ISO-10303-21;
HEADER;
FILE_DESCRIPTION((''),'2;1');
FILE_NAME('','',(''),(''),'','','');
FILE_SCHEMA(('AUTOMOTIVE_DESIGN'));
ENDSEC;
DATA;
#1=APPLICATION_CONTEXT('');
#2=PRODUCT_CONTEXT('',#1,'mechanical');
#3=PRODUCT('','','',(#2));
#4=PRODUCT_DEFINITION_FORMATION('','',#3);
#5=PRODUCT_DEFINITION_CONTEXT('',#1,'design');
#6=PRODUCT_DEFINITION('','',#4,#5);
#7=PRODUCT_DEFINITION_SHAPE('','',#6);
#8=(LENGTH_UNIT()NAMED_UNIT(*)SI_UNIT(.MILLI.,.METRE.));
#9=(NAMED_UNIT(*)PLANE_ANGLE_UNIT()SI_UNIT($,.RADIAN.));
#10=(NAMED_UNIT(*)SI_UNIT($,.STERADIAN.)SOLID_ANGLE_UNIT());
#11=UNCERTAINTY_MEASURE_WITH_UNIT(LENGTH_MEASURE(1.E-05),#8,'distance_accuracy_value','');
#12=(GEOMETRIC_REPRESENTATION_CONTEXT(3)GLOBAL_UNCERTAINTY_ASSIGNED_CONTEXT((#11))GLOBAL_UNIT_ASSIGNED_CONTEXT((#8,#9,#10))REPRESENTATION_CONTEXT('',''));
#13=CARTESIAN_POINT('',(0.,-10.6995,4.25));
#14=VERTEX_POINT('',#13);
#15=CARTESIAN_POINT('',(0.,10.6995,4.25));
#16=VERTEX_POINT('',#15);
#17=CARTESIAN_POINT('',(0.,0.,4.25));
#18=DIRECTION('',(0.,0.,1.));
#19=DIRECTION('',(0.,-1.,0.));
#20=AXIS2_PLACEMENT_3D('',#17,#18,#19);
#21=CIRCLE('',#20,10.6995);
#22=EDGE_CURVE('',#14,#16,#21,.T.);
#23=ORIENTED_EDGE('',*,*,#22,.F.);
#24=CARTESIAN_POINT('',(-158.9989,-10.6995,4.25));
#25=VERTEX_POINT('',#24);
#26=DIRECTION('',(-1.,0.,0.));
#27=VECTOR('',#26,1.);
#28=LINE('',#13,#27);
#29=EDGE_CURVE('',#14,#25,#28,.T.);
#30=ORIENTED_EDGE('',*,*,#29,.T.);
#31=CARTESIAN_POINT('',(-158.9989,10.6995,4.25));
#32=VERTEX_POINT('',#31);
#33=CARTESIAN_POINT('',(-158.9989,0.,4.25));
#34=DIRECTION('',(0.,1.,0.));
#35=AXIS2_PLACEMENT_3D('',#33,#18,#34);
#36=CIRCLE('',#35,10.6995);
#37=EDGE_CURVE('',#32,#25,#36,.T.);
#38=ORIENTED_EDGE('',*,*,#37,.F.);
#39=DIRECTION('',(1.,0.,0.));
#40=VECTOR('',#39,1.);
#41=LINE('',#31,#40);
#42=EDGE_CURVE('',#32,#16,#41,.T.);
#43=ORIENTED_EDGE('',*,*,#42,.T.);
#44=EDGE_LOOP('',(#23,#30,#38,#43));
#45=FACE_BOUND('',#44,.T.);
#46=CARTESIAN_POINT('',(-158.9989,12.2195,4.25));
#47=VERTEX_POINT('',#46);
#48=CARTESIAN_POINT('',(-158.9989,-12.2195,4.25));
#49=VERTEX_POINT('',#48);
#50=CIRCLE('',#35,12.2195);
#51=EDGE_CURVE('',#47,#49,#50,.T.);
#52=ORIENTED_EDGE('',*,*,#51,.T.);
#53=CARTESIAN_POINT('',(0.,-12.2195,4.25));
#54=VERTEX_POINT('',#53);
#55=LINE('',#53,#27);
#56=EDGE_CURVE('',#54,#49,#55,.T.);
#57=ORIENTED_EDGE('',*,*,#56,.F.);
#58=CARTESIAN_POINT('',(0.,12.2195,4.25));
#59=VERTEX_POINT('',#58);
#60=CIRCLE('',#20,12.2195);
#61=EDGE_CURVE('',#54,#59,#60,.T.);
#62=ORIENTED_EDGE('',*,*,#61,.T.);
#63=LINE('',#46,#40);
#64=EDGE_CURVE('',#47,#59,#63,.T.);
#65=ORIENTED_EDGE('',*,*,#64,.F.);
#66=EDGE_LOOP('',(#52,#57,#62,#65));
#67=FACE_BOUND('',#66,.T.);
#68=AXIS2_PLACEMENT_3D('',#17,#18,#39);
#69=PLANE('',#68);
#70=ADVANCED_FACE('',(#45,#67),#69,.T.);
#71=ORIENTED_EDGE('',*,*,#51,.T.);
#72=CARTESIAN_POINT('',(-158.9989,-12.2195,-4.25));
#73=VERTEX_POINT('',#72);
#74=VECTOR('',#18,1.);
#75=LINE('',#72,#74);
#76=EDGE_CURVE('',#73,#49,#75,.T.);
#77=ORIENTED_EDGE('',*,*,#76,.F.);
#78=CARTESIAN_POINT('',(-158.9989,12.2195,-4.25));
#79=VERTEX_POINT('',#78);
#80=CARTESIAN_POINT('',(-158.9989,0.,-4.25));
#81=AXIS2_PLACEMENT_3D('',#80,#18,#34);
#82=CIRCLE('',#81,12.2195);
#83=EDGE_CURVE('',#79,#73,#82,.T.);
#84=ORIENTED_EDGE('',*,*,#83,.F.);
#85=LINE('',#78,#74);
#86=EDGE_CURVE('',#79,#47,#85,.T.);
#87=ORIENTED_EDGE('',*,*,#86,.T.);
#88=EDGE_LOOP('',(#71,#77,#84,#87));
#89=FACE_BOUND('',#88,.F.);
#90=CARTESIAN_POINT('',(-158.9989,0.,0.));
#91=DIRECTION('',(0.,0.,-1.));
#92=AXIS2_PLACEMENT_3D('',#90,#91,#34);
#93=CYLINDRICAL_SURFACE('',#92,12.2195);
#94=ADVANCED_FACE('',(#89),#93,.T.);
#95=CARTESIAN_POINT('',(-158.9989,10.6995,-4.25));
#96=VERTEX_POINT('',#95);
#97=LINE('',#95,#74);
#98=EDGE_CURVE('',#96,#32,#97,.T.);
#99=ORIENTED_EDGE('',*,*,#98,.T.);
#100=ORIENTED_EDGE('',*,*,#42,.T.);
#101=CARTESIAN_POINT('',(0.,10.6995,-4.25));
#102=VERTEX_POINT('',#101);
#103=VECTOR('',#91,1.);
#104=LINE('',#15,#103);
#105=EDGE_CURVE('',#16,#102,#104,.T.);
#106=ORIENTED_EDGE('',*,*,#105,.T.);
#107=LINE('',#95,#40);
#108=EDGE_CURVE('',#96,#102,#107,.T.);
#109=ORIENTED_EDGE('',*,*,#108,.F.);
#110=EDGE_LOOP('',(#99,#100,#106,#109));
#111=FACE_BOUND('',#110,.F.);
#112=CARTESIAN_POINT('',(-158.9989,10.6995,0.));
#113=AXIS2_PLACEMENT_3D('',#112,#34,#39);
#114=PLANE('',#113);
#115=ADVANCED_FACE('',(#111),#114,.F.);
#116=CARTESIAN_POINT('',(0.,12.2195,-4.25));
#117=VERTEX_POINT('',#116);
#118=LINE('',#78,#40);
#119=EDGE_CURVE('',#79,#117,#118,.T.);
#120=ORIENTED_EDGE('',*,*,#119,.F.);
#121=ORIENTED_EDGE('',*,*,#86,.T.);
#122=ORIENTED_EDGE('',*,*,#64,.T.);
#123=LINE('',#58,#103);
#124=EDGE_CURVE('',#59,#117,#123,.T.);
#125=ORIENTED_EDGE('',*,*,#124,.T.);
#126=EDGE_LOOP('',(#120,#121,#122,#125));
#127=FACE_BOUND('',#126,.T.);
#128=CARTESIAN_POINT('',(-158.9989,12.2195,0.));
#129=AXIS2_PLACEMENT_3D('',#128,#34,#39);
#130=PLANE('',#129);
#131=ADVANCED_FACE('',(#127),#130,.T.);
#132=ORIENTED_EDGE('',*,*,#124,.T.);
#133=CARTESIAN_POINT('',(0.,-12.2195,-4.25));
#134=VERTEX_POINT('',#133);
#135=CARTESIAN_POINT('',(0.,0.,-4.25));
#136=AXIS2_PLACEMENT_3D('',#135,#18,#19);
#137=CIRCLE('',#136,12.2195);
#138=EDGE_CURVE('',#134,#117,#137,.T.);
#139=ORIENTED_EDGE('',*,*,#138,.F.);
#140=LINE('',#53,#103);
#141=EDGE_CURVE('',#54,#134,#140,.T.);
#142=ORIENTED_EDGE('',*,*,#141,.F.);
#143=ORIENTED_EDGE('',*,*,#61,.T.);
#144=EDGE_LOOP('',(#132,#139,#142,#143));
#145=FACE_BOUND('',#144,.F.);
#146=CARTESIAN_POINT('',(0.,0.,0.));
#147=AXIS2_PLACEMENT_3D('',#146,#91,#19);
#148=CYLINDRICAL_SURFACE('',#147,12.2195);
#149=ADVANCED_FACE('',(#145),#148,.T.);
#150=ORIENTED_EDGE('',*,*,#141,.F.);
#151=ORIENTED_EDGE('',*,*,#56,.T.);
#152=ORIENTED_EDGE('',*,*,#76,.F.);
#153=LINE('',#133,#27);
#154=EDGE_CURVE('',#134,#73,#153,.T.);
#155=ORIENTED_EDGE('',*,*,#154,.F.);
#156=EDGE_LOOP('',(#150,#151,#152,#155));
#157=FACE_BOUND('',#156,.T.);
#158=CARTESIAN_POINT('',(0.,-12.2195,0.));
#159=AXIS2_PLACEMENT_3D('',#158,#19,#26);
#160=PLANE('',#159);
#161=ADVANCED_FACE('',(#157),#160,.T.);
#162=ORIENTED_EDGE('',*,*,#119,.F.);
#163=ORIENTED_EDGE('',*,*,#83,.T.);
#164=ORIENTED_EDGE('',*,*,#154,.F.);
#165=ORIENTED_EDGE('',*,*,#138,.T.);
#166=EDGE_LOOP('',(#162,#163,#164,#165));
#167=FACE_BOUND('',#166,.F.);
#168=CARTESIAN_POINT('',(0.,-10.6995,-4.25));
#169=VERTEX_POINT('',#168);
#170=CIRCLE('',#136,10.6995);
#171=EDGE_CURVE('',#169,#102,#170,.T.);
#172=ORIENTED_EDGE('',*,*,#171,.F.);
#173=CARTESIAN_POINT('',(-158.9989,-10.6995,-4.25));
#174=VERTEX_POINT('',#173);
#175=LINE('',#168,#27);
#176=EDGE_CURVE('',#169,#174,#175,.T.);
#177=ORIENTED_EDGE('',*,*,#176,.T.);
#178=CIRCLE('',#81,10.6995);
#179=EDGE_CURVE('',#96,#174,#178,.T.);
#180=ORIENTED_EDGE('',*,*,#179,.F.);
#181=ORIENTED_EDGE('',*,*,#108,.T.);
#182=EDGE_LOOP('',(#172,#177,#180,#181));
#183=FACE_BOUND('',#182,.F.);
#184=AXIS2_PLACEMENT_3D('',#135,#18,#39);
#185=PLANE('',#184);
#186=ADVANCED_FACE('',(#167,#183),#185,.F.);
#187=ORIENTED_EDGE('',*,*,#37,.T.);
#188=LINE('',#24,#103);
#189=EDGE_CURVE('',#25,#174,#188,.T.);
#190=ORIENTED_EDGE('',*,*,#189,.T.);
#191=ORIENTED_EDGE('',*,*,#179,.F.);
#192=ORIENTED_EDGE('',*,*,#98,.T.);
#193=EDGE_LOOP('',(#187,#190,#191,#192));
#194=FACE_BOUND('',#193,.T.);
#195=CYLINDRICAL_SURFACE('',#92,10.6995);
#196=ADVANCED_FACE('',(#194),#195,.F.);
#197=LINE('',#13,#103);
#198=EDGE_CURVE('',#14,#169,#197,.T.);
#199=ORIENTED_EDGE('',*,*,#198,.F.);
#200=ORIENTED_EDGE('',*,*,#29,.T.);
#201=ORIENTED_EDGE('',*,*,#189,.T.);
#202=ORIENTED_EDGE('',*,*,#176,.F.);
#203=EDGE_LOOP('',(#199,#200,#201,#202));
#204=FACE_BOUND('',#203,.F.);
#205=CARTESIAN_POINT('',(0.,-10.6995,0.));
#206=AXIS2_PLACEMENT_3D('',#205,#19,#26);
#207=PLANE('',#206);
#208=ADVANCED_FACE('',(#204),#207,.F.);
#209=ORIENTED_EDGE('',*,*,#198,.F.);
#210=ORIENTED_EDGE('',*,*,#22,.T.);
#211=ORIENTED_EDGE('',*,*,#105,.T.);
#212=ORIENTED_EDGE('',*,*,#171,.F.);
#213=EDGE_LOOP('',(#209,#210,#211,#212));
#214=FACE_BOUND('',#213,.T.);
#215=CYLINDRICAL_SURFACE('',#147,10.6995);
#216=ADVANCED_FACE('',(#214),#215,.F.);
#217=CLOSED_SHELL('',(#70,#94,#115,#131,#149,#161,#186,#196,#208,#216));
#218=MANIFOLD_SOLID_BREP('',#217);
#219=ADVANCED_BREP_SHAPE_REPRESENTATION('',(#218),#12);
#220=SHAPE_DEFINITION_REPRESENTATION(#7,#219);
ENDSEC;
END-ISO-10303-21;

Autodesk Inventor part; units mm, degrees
ref_plane "YZ Plane" through (0, 0, 0) normal (1, 0, 0) x (0, 1, 0)
ref_plane "XZ Plane" through (0, 0, 0) normal (0, 1, 0) x (-1, 0, 0)
ref_plane "XY Plane" through (0, 0, 0) normal (0, 0, 1) x (1, 0, 0)
sketch "Sketch1" plane through (0, 0, 0) normal (0, 0, 1) x (1, 0, 0)
  arc A0 (0, -11.4595) -> (0, 11.4595) centre (0, 0) ccw construction
  arc A1 (-158.9989, 11.4595) -> (-158.9989, -11.4595) centre (-158.9989, 0) ccw construction
  line L0 (0, -11.4595) -> (-158.9989, -11.4595) construction
  line L1 (0, 11.4595) -> (-158.9989, 11.4595) construction
  dimension "Belt_Teeth" = 130
  dimension "Belt_Pitch2" = 3
  dimension "d0" = 22.919
  dimension "d1" = 22.919
  dimension "d2" = 36.0011
  dimension "d3" = 36.0011
  dimension "Center_Distance" = 158.9989
  dimension "d5" = 158.9989
sketch "Sketch2" plane through (0, 0, 0) normal (0, 0, 1) x (1, 0, 0)
  line L0 (35.7235, 34.2567) -> (38.7235, 34.2567)
  point P0 (0, 0)
  dimension "Belt_Pitch2" = 3
sketch "Sketch4" plane through (0, 0, 0) normal (0, 0, 1) x (1, 0, 0)
  line L0 (-16.1422, -21.869) -> (-14.1422, -21.869)
  line L1 (-16.1422, -21.869) -> (-16.1422, -20.349)
  arc A0 (-15.5872, -20.904) -> (-16.1422, -20.349) centre (-16.1422, -20.904) ccw
  line L2 (-15.5872, -20.904) -> (-15.5872, -20.959)
  arc A1 (-15.5872, -20.959) -> (-15.4372, -21.109) centre (-15.4372, -20.959) ccw
  line L3 (-15.4372, -21.109) -> (-14.8472, -21.109)
  line L4 (-14.1422, -21.869) -> (-14.1422, -20.349)
  arc A2 (-14.1422, -20.349) -> (-14.6972, -20.904) centre (-14.1422, -20.904) ccw
  arc A3 (-14.8472, -21.109) -> (-14.6972, -20.959) centre (-14.8472, -20.959) ccw
  line L5 (-14.6972, -20.959) -> (-14.6972, -20.904)
  line L6 (0, 11.4595) -> (-158.9989, 11.4595) construction
  arc A4 (-158.9989, 11.4595) -> (-158.9989, -11.4595) centre (-158.9989, 0) ccw construction
  line L7 (0, -11.4595) -> (-158.9989, -11.4595) construction
  arc A5 (0, -11.4595) -> (0, 11.4595) centre (0, 0) ccw construction
  arc A6 (-158.9989, 12.2195) -> (-158.9989, -12.2195) centre (-158.9989, 0) ccw
  line L8 (-158.9989, 12.2195) -> (0, 12.2195)
  arc A7 (0, -12.2195) -> (0, 12.2195) centre (0, 0) ccw
  line L9 (0, -12.2195) -> (-158.9989, -12.2195)
  arc A8 (-158.9989, 10.6995) -> (-158.9989, -10.6995) centre (-158.9989, 0) ccw
  line L10 (-158.9989, 10.6995) -> (0, 10.6995)
  arc A9 (0, -10.6995) -> (0, 10.6995) centre (0, 0) ccw
  line L11 (0, -10.6995) -> (-158.9989, -10.6995)
  point P0 (-15.1422, -21.109)
  point P1 (-15.1422, -21.869)
  dimension "d9" = 2
  dimension "d10" = 1.52
  dimension "d11" = 0.76
  dimension "d12" = 0.555
  dimension "d13" = 0.555
  dimension "d14" = 0.15
  dimension "d15" = 0.15
  dimension "belt_thickness" = 1.52
  dimension "d44" = 0.76
extrude "Extrusion2" add sketch "Sketch4" along normal mid plane 8.5 contours L8 A7 L9 A6
sketch "Sketch5" plane through (0, 0, 4.25) normal (0, 0, 1) x (1, 0, 0)
  line L0 (-158.9989, 10.6995) -> (0, 10.6995) construction
  arc A0 (0, -10.6995) -> (0, 10.6995) centre (0, 0) ccw construction
  line L1 (0, -10.6995) -> (-158.9989, -10.6995) construction
  arc A1 (-158.9989, 10.6995) -> (-158.9989, -10.6995) centre (-158.9989, 0) ccw construction
  arc A2 (-158.9989, 12.2195) -> (-158.9989, -12.2195) centre (-158.9989, 0) ccw construction
  line L2 (-158.9989, -12.2195) -> (0, -12.2195) construction
  arc A3 (0, -12.2195) -> (0, 12.2195) centre (0, 0) ccw construction
  line L3 (0, 12.2195) -> (-158.9989, 12.2195) construction
  line L4 (-7.7556, -2.6989) -> (-5.7556, -2.6989)
  line L5 (-7.7556, -2.6989) -> (-7.7556, -1.1789) construction
  arc A4 (-7.2006, -1.7339) -> (-7.7556, -1.1789) centre (-7.7556, -1.7339) ccw
  line L6 (-7.2006, -1.7339) -> (-7.2006, -1.7889)
  arc A5 (-7.2006, -1.7889) -> (-7.0506, -1.9389) centre (-7.0506, -1.7889) ccw
  line L7 (-7.0506, -1.9389) -> (-6.4606, -1.9389)
  line L8 (-5.7556, -2.6989) -> (-5.7556, -1.1789)
  arc A6 (-5.7556, -1.1789) -> (-6.3106, -1.7339) centre (-5.7556, -1.7339) ccw
  arc A7 (-6.4606, -1.9389) -> (-6.3106, -1.7889) centre (-6.4606, -1.7889) ccw
  line L9 (-6.3106, -1.7889) -> (-6.3106, -1.7339)
  line L10 (-8.3106, -1.7339) -> (-8.3106, -1.7889)
  arc A8 (-7.7556, -1.1789) -> (-8.3106, -1.7339) centre (-7.7556, -1.7339) ccw
  arc A9 (-8.4606, -1.9389) -> (-8.3106, -1.7889) centre (-8.4606, -1.7889) ccw
  line L11 (-8.4606, -1.9389) -> (-9.0506, -1.9389)
  line L12 (-7.7556, -2.6989) -> (-9.7556, -2.6989)
  line L13 (-9.2006, -1.7889) -> (-9.2006, -1.7339)
  arc A10 (-9.2006, -1.7339) -> (-9.7556, -1.1789) centre (-9.7556, -1.7339) ccw
  line L14 (-9.7556, -2.6989) -> (-9.7556, -1.1789)
  arc A11 (-9.2006, -1.7889) -> (-9.0506, -1.9389) centre (-9.0506, -1.7889) ccw
  line L15 (-17.66, -0.8495) -> (-14.922, -0.8495) construction
  line L16 (-14.922, -0.8495) -> (-14.922, -2.3671) construction
  line L17 (-14.922, -2.3671) -> (-17.66, -2.3671) construction
  line L18 (-17.66, -2.3671) -> (-17.66, -0.8495) construction
  arc A12 (-15.6383, -1.7102) -> (-16.7483, -1.7102) centre (-16.1933, -1.7102) ccw construction
  line L19 (-16.7483, -1.7102) -> (-16.7483, -1.7652) construction
  arc A13 (-16.8983, -1.9152) -> (-16.7483, -1.7652) centre (-16.8983, -1.7652) ccw construction
  line L20 (-16.7483, -1.7102) -> (-16.7483, -1.9152) construction
  line L21 (-15.6383, -1.7102) -> (-15.6383, -1.9152) construction
  point P0 (-6.7556, -1.9389)
  point P1 (-6.7556, -2.6989)
  point P2 (-8.7556, -2.6989)
  point P3 (-8.7556, -1.9389)
  dimension "d22" = 2
  dimension "d23" = 1.52
  dimension "d24" = 0.76
  dimension "d25" = 0.555
  dimension "d26" = 0.555
  dimension "d27" = 0.15
  dimension "d28" = 0.15
  dimension "d29" = 0.76
  dimension "d30" = 1
  dimension "d31" = 2
  dimension "d32" = 0.59
  dimension "d34" = 0.555
  dimension "d35" = 0
  dimension "d36" = 0
  dimension "d37" = 0.15
  dimension "d38" = 0.055
  dimension "d39" = 0.055
  dimension "d40" = 0
  dimension "d41" = 0
  dimension "d42" = 0.205
  dimension "d43" = 0.205
equation "\"d13\" = d12"
equation "\"d15\" = d14"
equation "\"d44\" = 0.5 * belt_thickness"
equation "\"d26\" = d25"
equation "\"d28\" = d27"
equation "\"d30\" = 0.5 * d22"
equation "\"d31\" = d22"
equation "\"d43\" = d42"
equation "\"Belt_Teeth\" = 130"
equation "\"Belt_Pitch\" = 3"
equation "\"HTD_5mm\" = 5"
equation "\"GT2_3mm\" = 3"
equation "\"Center_Distance_Copy\" = Center_Distance"
properties part number "130T GT2 Belt" material "Rubber"
